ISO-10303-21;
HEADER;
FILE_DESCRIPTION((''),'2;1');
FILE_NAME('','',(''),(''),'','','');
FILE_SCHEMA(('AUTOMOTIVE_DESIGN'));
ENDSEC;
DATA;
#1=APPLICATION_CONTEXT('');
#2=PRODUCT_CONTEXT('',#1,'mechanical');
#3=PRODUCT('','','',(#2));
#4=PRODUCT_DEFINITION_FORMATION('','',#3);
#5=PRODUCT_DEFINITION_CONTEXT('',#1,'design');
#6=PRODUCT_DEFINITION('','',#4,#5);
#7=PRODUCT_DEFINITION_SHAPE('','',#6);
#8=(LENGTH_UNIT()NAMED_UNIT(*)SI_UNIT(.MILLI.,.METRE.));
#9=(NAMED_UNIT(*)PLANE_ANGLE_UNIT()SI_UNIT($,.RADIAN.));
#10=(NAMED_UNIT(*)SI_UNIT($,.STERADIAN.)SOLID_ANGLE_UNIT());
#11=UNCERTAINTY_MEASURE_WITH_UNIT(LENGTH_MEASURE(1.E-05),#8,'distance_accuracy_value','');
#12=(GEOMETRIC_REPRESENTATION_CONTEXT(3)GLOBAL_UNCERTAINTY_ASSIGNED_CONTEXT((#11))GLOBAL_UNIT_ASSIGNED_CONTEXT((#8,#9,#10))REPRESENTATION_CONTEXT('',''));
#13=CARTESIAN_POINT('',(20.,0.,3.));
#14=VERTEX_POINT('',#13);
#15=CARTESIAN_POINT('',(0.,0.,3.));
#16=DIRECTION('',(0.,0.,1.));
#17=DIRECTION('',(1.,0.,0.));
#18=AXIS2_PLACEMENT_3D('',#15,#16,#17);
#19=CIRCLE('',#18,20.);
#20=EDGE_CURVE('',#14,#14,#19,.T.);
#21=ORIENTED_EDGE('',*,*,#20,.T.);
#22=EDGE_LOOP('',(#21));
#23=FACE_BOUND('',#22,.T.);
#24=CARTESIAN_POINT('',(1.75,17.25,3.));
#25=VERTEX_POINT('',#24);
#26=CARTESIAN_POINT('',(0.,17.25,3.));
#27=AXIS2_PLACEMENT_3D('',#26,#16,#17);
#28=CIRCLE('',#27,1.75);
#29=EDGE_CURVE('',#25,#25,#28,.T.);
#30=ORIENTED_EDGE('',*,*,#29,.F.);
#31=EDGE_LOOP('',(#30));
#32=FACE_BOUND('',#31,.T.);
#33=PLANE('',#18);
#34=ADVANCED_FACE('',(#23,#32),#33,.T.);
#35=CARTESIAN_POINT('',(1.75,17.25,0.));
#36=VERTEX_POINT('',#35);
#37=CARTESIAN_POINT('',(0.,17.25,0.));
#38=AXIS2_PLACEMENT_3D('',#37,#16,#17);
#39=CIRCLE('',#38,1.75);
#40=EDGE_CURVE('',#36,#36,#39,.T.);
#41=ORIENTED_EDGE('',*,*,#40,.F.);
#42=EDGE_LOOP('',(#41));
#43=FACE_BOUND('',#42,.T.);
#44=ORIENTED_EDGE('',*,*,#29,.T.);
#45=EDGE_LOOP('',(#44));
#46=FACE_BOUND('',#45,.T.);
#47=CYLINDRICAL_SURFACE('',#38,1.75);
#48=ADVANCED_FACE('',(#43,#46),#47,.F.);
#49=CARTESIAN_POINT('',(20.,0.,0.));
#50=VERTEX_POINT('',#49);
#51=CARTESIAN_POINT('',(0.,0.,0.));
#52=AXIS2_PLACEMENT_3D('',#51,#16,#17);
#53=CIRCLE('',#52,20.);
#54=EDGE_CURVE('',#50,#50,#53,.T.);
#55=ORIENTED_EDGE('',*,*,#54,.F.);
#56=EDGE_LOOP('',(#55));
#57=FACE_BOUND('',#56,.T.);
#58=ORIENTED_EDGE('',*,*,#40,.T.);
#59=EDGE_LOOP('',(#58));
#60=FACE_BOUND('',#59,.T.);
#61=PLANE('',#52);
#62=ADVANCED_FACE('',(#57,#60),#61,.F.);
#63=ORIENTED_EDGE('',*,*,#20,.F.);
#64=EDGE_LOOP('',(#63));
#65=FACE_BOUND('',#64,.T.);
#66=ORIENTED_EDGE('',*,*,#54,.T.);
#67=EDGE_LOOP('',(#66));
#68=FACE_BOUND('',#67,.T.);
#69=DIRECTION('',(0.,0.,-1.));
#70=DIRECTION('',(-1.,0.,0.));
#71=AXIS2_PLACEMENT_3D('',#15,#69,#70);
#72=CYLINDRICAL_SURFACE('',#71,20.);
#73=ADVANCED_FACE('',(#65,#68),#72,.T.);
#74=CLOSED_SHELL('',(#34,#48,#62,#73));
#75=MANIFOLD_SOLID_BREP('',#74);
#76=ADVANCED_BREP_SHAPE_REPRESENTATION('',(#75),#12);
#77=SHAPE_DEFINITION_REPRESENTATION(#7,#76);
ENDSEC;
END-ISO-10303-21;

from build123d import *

# Parameters (mm, degrees)
SKETCH_1_R          = 20
EXTRUDE_1_DEPTH     = 3
SKETCH_2_R          = 1.75
CUT_EXTRUDE_1_DEPTH = 3


with BuildPart() as part:
    # 草图1 → 凸台-拉伸1 (new body)
    with BuildSketch(Plane.XY):
        Circle(SKETCH_1_R)
    extrude(amount=EXTRUDE_1_DEPTH)

    # 草图2 → 切除-拉伸1 (cut)
    with BuildSketch(Plane.XY.offset(3)):
        with Locations((0, 17.25)):
            Circle(SKETCH_2_R)
    extrude(amount=-CUT_EXTRUDE_1_DEPTH, mode=Mode.SUBTRACT)


solid = part.part
